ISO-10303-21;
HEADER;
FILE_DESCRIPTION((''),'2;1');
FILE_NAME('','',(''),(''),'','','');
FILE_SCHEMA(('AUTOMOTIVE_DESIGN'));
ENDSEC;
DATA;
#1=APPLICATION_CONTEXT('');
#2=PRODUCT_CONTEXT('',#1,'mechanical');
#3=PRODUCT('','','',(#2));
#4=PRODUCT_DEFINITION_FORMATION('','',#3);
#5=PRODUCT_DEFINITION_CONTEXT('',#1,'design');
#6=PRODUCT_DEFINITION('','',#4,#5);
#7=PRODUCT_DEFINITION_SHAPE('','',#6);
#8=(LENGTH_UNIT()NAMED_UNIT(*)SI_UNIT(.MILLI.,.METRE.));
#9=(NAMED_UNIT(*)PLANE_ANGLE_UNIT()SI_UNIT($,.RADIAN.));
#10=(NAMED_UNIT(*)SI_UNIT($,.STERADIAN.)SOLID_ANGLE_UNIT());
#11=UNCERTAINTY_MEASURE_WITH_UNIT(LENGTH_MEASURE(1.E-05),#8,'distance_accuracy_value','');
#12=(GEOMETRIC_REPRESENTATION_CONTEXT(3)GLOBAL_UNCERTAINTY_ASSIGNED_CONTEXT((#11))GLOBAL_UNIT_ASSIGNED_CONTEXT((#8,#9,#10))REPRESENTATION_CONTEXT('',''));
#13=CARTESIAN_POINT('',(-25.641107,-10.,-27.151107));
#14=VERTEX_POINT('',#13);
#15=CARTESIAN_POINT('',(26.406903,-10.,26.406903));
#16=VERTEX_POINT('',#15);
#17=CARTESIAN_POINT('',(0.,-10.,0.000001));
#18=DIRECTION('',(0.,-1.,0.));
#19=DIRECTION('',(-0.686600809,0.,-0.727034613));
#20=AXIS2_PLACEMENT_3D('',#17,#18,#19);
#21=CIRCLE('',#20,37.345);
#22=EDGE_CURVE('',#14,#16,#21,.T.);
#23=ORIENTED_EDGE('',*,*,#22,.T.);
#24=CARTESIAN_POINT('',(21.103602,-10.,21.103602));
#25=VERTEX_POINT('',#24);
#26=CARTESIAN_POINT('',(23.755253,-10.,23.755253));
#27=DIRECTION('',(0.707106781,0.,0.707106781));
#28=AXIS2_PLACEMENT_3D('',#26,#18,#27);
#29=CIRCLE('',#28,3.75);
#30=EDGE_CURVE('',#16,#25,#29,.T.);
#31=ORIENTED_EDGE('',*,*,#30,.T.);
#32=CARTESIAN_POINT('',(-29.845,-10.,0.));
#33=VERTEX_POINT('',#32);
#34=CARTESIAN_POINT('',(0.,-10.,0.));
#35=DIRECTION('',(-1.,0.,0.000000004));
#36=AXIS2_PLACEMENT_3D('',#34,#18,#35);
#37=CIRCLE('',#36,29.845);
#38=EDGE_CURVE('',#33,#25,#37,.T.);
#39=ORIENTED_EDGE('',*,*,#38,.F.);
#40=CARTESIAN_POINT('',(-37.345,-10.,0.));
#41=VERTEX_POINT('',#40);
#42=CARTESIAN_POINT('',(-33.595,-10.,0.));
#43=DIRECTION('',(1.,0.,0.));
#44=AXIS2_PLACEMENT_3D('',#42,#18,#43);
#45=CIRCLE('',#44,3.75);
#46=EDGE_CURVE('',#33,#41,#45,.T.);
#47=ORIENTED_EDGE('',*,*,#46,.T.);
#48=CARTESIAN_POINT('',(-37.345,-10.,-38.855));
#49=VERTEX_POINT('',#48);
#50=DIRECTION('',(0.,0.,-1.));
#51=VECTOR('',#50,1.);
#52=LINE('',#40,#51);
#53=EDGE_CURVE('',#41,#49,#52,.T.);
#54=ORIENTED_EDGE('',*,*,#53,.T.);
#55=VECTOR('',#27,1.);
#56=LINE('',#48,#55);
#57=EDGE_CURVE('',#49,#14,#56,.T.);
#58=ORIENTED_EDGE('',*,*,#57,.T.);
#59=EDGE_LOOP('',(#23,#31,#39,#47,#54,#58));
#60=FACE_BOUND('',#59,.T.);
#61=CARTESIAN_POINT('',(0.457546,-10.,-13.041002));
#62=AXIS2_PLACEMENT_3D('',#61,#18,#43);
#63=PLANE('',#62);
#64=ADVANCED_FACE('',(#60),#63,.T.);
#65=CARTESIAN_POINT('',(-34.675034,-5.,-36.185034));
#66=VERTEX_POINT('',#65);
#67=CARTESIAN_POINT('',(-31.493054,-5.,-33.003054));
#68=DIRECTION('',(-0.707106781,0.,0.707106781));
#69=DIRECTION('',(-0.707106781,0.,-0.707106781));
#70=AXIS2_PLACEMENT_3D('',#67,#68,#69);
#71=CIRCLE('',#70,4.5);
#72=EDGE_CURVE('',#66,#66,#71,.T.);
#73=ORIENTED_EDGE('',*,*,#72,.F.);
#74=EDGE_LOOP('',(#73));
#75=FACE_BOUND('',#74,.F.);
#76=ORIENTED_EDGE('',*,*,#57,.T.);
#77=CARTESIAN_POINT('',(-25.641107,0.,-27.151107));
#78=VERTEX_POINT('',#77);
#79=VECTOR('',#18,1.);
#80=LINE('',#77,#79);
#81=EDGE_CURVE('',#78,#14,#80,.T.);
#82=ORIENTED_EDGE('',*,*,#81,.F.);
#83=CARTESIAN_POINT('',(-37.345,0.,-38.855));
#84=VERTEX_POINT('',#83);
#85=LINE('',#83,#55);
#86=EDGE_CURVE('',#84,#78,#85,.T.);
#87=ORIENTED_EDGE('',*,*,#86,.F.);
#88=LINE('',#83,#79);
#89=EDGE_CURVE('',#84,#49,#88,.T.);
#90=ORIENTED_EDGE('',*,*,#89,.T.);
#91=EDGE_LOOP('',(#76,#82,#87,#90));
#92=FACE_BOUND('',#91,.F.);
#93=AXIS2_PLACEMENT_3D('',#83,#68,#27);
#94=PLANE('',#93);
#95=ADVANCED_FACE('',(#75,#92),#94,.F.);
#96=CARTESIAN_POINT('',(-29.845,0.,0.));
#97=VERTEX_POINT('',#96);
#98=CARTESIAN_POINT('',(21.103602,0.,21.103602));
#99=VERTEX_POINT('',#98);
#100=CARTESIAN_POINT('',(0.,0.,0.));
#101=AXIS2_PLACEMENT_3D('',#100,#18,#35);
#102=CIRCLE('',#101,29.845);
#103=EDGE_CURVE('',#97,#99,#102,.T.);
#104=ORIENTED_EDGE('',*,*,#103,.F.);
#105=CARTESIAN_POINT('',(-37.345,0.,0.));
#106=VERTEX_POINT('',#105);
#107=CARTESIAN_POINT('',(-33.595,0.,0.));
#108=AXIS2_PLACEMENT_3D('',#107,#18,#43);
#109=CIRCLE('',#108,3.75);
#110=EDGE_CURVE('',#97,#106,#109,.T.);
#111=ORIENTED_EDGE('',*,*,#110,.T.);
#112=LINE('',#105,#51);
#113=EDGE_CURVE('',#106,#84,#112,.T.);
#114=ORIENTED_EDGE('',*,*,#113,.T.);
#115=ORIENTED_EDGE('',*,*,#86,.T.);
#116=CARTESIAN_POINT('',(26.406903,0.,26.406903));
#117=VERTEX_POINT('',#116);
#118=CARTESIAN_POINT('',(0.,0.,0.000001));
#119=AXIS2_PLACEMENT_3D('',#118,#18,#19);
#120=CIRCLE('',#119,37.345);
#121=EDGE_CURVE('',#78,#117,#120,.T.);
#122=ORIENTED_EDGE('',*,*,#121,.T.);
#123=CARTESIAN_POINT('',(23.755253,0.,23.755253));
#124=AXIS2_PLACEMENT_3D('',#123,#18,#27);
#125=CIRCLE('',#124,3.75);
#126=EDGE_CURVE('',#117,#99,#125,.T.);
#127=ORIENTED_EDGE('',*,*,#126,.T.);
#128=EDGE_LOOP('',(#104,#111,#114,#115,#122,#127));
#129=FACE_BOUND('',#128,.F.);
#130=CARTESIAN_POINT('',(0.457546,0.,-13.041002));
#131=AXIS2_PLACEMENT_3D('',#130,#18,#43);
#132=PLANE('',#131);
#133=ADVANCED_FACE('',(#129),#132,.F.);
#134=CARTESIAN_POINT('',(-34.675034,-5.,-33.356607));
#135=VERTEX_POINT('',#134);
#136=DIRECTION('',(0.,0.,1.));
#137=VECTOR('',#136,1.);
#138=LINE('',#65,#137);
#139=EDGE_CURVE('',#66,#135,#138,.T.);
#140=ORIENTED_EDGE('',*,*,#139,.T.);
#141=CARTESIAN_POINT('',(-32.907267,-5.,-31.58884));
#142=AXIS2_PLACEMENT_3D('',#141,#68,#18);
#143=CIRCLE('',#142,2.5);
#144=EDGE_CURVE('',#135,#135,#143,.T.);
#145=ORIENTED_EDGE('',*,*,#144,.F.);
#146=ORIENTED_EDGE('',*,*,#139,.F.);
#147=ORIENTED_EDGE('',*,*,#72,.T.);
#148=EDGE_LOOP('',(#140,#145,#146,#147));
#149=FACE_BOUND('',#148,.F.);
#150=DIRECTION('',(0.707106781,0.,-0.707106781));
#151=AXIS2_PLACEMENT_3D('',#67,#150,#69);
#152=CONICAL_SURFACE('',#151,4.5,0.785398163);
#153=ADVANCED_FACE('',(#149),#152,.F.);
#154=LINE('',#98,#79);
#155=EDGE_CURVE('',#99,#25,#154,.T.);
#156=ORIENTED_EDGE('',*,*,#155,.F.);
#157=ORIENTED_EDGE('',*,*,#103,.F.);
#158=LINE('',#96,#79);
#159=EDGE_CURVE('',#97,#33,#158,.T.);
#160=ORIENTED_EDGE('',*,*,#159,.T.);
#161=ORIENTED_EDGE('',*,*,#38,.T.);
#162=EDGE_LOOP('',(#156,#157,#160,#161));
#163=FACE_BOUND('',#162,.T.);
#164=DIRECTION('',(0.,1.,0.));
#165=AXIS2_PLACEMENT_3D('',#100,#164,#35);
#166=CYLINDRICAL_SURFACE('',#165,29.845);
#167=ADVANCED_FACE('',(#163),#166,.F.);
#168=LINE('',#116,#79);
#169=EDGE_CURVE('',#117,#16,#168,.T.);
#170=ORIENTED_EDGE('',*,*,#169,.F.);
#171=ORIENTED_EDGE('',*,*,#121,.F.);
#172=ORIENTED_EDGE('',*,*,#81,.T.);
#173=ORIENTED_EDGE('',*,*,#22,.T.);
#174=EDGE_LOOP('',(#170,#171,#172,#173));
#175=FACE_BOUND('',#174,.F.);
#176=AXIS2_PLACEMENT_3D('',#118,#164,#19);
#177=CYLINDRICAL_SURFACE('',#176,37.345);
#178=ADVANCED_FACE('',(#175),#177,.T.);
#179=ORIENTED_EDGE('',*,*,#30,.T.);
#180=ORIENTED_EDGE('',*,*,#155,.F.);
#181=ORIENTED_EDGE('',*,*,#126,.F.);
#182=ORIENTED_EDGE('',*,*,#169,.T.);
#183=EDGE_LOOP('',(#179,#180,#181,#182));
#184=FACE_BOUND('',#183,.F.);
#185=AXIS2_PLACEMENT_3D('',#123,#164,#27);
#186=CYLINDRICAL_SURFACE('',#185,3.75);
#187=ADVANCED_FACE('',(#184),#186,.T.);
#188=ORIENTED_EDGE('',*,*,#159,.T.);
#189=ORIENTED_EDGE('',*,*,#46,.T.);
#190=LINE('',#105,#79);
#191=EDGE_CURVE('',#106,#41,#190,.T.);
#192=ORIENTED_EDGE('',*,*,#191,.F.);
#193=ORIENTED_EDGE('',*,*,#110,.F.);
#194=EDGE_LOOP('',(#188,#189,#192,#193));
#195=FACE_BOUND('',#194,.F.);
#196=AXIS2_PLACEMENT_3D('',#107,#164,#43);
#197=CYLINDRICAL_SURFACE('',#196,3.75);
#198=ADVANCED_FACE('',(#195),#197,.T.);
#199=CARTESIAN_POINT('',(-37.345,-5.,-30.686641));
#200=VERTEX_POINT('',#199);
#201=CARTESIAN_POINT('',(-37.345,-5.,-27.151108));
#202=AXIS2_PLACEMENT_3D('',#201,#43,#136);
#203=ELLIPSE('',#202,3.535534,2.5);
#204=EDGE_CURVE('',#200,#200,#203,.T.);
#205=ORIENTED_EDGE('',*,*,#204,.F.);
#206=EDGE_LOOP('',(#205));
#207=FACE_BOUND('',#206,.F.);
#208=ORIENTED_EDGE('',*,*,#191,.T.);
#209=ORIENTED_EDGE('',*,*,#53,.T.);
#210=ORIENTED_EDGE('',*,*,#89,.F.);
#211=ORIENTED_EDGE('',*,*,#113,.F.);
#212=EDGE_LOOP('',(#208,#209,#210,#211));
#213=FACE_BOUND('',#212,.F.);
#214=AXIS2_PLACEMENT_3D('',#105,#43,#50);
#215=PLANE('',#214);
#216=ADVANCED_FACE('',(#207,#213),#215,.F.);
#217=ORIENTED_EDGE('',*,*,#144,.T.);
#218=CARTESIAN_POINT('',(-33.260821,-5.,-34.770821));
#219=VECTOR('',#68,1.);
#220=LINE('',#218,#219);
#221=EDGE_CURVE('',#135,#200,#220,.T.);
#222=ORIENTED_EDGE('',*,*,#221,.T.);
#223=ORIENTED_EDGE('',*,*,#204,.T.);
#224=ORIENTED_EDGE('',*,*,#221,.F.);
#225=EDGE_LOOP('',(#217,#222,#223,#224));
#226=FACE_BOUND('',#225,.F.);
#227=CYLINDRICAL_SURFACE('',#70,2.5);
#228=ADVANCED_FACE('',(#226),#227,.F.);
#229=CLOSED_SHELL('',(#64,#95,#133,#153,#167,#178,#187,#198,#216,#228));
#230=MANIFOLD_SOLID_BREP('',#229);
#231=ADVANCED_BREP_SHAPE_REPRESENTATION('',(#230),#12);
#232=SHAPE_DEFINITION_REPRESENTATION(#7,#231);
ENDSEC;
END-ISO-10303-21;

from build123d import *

# Parameters (mm, degrees)
PAD_DEPTH           = 10
HOLE001_D           = 5
HOLE001_DEPTH       = 195.23
HOLE001_CSINK_D     = 9
HOLE001_CSINK_ANGLE = 90


with BuildPart() as part:
    # Sketch → Pad (new body)
    with BuildSketch(Plane.XZ):
        with BuildLine():
            Line((-37.345, 0), (-37.345, -38.855))
            Line((-37.345, -38.855), (-25.641107, -27.151107))
            ThreePointArc((-25.641107, -27.151107), (26.781742, -26.026665), (26.406903, 26.406903))
            ThreePointArc((26.406903, 26.406903), (21.103602, 26.406903), (21.103602, 21.103602))
            ThreePointArc((-29.845, 0), (11.421187, -27.573185), (21.103602, 21.103602))
            ThreePointArc((-29.845, 0), (-33.595, 3.75), (-37.345, 0))
        make_face()
    extrude(amount=PAD_DEPTH)

    # Hole001
    with Locations(Plane(origin=(0.755, 0, -0.755), x_dir=(0.707107, 0, 0.707107), z_dir=(0.707107, 0, -0.707107))):
        with Locations((-45.605635, 5)):
            CounterSinkHole(HOLE001_D / 2, HOLE001_CSINK_D / 2, depth=HOLE001_DEPTH, counter_sink_angle=HOLE001_CSINK_ANGLE)


solid = part.part
